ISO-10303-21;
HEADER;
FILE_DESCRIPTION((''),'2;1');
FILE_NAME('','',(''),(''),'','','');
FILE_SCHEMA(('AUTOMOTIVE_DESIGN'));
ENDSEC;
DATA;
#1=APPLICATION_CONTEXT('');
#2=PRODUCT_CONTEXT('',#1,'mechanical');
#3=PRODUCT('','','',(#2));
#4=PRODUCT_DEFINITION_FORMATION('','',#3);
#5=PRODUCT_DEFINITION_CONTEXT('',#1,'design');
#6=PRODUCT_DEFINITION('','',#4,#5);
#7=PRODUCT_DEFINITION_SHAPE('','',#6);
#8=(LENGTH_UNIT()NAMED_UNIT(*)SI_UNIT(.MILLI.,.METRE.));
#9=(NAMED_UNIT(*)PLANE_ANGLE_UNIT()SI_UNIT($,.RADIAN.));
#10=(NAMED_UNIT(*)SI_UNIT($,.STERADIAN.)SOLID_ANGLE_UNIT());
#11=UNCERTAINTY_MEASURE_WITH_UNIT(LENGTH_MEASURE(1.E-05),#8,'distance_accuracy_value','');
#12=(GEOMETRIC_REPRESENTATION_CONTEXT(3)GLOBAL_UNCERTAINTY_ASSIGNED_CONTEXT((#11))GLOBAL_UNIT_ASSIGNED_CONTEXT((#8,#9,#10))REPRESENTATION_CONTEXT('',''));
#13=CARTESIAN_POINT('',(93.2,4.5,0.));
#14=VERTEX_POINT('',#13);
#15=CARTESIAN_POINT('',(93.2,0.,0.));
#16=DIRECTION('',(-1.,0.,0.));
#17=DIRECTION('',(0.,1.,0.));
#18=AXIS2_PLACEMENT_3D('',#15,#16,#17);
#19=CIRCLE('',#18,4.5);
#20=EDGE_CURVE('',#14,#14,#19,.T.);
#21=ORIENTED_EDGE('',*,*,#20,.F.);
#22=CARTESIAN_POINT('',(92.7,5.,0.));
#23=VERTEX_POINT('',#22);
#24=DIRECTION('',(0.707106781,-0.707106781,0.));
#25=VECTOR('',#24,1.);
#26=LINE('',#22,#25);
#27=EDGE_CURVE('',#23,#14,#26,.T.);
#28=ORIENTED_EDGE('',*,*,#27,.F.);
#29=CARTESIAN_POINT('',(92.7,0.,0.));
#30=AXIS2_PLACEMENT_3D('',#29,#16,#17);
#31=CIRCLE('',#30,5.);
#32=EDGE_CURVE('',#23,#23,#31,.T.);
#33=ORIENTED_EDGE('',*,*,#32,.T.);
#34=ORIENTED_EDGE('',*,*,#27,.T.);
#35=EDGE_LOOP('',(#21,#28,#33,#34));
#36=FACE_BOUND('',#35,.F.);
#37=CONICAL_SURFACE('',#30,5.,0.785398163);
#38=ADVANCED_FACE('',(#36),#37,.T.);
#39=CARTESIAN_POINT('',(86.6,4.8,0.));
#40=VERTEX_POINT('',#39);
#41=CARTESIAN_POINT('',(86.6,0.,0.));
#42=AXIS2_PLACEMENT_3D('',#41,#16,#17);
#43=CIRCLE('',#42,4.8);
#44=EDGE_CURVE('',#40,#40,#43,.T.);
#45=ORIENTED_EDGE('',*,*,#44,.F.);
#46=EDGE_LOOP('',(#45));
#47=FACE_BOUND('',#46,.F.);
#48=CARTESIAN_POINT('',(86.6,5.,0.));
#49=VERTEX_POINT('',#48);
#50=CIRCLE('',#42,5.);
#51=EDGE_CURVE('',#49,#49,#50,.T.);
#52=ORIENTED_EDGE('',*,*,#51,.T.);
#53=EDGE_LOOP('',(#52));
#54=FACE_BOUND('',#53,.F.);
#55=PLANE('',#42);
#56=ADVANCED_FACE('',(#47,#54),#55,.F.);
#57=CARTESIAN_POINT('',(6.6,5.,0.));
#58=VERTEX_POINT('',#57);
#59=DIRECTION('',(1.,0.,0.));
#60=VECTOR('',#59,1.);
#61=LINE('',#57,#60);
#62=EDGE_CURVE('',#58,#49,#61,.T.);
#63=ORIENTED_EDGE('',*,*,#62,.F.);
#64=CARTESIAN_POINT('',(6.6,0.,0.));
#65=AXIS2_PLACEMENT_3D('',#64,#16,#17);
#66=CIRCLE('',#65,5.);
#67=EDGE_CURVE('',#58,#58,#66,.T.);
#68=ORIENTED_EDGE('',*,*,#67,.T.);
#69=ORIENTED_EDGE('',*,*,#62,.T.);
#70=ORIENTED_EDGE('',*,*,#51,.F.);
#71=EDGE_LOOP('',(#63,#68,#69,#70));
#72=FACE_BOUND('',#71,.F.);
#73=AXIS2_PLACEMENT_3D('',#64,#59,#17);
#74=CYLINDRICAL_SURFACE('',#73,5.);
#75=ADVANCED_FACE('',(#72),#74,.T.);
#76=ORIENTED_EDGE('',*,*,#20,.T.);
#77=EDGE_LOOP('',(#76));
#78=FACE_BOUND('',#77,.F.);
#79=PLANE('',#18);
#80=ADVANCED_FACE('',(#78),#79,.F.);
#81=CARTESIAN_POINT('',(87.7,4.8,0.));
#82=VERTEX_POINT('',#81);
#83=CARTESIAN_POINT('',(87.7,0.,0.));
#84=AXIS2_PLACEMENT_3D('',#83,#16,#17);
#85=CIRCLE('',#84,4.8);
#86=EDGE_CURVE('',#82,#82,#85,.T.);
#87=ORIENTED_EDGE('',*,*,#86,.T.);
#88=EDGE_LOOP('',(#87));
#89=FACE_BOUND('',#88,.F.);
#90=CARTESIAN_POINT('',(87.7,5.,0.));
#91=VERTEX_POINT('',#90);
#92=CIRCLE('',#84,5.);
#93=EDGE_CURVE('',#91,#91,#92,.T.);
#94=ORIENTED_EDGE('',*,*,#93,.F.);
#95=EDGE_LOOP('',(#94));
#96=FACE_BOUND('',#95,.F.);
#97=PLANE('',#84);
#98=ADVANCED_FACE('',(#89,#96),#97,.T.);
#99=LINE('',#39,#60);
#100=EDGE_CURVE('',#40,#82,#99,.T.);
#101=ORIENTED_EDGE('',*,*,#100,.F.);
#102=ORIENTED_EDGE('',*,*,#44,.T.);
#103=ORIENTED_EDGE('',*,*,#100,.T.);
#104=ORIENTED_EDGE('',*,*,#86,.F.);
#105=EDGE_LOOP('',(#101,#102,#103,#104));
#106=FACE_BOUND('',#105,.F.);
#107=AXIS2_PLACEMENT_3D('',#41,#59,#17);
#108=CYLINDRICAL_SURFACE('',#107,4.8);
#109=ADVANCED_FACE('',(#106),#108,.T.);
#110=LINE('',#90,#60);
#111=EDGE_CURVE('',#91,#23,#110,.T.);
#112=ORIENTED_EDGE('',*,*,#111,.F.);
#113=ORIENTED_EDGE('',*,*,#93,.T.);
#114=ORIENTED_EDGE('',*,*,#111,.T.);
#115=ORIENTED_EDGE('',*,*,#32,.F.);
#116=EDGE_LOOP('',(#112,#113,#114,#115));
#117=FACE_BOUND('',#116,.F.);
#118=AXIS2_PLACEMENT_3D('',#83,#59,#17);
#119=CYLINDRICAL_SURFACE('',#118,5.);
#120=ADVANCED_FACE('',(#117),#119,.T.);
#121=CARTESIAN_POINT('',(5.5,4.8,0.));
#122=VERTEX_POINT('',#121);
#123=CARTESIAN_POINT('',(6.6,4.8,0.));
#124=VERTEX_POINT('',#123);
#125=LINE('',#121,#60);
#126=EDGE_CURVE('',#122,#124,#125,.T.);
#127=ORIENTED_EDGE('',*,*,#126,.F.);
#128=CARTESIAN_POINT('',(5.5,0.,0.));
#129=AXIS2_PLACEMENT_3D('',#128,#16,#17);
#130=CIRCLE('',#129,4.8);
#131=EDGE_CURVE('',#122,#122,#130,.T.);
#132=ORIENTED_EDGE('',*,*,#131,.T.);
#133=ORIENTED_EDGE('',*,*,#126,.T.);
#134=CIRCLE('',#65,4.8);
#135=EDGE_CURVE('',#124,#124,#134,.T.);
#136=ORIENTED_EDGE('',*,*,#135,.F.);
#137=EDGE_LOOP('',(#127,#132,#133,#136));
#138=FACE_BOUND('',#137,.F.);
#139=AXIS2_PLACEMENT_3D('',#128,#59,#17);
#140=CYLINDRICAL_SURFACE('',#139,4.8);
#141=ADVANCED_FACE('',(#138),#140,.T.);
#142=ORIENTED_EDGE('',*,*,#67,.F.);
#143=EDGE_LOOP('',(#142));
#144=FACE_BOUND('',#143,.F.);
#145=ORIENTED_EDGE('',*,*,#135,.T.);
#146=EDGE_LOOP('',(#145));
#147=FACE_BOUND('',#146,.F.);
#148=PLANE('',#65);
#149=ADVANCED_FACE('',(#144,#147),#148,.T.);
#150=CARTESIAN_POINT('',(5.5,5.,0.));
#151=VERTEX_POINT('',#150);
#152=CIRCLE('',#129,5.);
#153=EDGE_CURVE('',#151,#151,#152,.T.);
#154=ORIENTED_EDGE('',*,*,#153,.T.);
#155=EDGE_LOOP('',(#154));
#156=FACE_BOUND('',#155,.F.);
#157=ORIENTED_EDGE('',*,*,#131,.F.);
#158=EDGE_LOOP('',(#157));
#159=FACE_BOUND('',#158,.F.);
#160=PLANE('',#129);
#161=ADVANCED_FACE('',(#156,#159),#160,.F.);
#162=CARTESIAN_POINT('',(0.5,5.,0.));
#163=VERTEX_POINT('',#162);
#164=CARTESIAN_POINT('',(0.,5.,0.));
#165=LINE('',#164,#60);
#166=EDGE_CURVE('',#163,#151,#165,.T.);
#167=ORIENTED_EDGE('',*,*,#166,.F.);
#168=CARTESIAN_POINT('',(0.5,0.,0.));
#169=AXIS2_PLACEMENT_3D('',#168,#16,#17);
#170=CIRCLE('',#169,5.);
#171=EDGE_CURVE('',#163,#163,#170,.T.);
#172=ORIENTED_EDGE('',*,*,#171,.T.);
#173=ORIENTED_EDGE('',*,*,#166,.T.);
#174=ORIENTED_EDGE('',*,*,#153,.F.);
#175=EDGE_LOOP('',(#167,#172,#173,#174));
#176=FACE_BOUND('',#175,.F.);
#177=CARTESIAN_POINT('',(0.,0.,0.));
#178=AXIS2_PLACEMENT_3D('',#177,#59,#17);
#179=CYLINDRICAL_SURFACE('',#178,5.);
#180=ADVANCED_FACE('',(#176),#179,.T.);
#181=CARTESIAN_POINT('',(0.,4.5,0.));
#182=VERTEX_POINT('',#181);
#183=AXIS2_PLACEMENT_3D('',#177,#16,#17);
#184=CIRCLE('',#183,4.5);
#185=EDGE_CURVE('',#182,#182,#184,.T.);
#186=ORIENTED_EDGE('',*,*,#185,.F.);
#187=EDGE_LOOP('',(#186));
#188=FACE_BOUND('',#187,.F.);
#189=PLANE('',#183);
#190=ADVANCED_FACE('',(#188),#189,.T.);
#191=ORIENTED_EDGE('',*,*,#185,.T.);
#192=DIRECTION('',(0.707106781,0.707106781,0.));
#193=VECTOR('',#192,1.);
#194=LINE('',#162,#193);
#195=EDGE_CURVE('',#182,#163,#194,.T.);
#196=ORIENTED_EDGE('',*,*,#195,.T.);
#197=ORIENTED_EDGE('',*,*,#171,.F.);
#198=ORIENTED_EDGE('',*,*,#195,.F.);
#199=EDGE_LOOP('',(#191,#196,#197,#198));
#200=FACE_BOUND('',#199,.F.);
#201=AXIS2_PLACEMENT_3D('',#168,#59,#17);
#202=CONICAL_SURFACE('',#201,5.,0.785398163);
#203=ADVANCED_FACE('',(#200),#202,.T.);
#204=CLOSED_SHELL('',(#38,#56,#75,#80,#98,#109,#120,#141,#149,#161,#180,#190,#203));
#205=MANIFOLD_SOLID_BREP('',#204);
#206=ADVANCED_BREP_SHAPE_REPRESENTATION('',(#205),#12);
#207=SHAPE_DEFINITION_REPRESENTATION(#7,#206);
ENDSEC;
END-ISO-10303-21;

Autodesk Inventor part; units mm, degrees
ref_plane "YZ Plane" through (0, 0, 0) normal (1, 0, 0) x (0, 1, 0)
ref_plane "XZ Plane" through (0, 0, 0) normal (0, 1, 0) x (-1, 0, 0)
sketch "Skizze1" plane through (0, 0, 0) normal (0, 0, 1) x (1, 0, 0)
  line L0 (0, 0) -> (0, 5)
  line L1 (93.2, 5) -> (93.2, 0)
  line L2 (93.2, 0) -> (0, 0)
  line L3 (5.5, 5) -> (5.5, 4.8)
  line L4 (5.5, 4.8) -> (6.6, 4.8)
  line L5 (6.6, 4.8) -> (6.6, 5)
  line L6 (0, 5) -> (5.5, 5)
  line L7 (86.6, 5) -> (86.6, 4.8)
  line L8 (86.6, 4.8) -> (87.7, 4.8)
  line L9 (87.7, 4.8) -> (87.7, 5)
  line L10 (6.6, 5) -> (86.6, 5)
  line L11 (87.7, 5) -> (93.2, 5)
  line L12 (46.6, 0) -> (46.6, 5) construction
  line L13 (0.5, 5) -> (0.5, 0) construction
  line L14 (92.7, 5) -> (92.7, 0) construction
  line L15 (15.6, 0) -> (15.6, 5) construction
  line L16 (77.6, 0) -> (77.6, 5) construction
  line L17 (28.6, 5) -> (28.6, 0) construction
  line L18 (64.6, 5) -> (64.6, 0) construction
  dimension "d2" = 10
  dimension "d3" = 9.6
  dimension "d4" = 1.1
  dimension "d6" = 1.1
  dimension "d8" = 82.2
  dimension "d9" = 5
  dimension "d10" = 5
  dimension "d11" = 0.5
  dimension "d12" = 93.2
  dimension "d16" = 31
  dimension "d17" = 62
  dimension "d18" = 13
  dimension "d19" = 13
revolve "Umdrehung1" add sketch "Skizze1" angle 360 about axis through (93.2, 0, 0) along (-1, 0, 0)
sketch "Skizze2" plane through (46.6, 0, 5) normal (0, 0, 1) x (1, 0, 0)
  line L0 (-31, 0) -> (-31, 5) construction
  line L1 (-18, 5) -> (-18, 0) construction
  line L2 (18, 5) -> (18, 0) construction
  line L3 (31, 0) -> (31, 5) construction
  line L4 (-31, 5) -> (-18, 5)
  line L5 (-18, 5) -> (-18, -5)
  line L6 (-18, -5) -> (-31, -5)
  line L7 (-31, -5) -> (-31, 5)
  line L8 (18, 5) -> (31, 5)
  line L9 (31, 5) -> (31, -5)
  line L10 (31, -5) -> (18, -5)
  line L11 (18, -5) -> (18, 5)
  point P0 (-46.6, 0)
  dimension "d20" = 10
  dimension "d21" = 10
chamfer "Fase1" distance 0.5 angle 45 2 edges at (0, -5, 0) (93.2, -5, 0)
ref_plane "Arbeitsebene1" through (46.6, 0, 5) normal (0, 0, 1) x (1, 0, 0)
equation "\"d20\" = d2"
equation "\"d21\" = d20"
equation "\"d6\" = d4"
equation "\"d10\" = d9"
equation "\"d19\" = d18"
properties part number "ParallelMecha_DrivenShaft" material "Edelstahl"
